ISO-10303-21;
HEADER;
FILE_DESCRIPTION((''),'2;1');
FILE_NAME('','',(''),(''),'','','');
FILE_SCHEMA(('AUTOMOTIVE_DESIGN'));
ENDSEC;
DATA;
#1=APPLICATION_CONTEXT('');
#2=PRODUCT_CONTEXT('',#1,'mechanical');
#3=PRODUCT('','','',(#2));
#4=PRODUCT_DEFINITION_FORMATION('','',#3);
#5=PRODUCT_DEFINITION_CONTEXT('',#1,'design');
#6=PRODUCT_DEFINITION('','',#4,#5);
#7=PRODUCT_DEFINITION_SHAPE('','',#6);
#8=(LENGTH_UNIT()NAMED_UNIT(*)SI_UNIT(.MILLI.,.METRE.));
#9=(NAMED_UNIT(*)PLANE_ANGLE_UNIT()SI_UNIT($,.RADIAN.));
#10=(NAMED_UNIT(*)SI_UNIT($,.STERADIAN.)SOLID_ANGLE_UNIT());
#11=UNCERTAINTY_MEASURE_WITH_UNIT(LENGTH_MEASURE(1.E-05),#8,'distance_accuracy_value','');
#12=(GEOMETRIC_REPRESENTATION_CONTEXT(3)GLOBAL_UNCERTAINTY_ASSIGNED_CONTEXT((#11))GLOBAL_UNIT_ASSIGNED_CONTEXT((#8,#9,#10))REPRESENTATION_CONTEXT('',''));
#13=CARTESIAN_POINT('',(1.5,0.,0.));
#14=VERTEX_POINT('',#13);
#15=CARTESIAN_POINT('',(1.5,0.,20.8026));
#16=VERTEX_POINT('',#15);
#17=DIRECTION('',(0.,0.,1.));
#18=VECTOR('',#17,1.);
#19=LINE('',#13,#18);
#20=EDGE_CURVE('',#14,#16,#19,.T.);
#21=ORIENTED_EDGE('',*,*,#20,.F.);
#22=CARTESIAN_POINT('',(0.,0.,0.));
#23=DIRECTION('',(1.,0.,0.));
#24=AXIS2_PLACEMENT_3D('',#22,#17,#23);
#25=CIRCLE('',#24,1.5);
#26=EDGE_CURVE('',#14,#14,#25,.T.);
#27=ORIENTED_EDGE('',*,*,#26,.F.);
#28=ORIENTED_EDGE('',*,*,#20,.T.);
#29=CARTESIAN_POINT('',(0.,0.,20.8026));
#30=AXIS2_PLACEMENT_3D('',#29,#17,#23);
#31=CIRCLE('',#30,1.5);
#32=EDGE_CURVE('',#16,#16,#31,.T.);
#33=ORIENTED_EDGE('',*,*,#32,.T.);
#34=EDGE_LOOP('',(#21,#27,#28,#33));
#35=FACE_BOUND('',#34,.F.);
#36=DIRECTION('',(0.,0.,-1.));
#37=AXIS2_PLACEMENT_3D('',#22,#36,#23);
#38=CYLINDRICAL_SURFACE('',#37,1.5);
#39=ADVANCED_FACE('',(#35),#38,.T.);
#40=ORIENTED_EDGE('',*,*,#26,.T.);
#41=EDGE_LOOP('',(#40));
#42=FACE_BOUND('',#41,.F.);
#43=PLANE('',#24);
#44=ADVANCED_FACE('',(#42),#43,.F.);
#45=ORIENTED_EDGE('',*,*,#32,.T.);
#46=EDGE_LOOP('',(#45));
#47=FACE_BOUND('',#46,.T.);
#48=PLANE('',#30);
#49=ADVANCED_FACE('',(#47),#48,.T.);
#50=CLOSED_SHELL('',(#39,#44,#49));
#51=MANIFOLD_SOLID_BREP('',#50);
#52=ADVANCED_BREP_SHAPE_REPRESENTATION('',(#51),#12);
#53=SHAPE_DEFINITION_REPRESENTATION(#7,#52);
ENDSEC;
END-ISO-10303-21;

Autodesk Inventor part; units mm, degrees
ref_plane "YZ Plane" through (0, 0, 0) normal (1, 0, 0) x (0, 1, 0)
ref_plane "XZ Plane" through (0, 0, 0) normal (0, 1, 0) x (-1, 0, 0)
ref_plane "XY Plane" through (0, 0, 0) normal (0, 0, 1) x (1, 0, 0)
sketch "Sketch1" plane through (0, 0, 0) normal (0, 0, 1) x (1, 0, 0)
  circle A0 centre (0, 0) radius 1.5
  dimension "d0" = 3
extrude "Extrusion1" add sketch "Sketch1" along normal blind 20.8026
properties part number "transfer gear rod"
